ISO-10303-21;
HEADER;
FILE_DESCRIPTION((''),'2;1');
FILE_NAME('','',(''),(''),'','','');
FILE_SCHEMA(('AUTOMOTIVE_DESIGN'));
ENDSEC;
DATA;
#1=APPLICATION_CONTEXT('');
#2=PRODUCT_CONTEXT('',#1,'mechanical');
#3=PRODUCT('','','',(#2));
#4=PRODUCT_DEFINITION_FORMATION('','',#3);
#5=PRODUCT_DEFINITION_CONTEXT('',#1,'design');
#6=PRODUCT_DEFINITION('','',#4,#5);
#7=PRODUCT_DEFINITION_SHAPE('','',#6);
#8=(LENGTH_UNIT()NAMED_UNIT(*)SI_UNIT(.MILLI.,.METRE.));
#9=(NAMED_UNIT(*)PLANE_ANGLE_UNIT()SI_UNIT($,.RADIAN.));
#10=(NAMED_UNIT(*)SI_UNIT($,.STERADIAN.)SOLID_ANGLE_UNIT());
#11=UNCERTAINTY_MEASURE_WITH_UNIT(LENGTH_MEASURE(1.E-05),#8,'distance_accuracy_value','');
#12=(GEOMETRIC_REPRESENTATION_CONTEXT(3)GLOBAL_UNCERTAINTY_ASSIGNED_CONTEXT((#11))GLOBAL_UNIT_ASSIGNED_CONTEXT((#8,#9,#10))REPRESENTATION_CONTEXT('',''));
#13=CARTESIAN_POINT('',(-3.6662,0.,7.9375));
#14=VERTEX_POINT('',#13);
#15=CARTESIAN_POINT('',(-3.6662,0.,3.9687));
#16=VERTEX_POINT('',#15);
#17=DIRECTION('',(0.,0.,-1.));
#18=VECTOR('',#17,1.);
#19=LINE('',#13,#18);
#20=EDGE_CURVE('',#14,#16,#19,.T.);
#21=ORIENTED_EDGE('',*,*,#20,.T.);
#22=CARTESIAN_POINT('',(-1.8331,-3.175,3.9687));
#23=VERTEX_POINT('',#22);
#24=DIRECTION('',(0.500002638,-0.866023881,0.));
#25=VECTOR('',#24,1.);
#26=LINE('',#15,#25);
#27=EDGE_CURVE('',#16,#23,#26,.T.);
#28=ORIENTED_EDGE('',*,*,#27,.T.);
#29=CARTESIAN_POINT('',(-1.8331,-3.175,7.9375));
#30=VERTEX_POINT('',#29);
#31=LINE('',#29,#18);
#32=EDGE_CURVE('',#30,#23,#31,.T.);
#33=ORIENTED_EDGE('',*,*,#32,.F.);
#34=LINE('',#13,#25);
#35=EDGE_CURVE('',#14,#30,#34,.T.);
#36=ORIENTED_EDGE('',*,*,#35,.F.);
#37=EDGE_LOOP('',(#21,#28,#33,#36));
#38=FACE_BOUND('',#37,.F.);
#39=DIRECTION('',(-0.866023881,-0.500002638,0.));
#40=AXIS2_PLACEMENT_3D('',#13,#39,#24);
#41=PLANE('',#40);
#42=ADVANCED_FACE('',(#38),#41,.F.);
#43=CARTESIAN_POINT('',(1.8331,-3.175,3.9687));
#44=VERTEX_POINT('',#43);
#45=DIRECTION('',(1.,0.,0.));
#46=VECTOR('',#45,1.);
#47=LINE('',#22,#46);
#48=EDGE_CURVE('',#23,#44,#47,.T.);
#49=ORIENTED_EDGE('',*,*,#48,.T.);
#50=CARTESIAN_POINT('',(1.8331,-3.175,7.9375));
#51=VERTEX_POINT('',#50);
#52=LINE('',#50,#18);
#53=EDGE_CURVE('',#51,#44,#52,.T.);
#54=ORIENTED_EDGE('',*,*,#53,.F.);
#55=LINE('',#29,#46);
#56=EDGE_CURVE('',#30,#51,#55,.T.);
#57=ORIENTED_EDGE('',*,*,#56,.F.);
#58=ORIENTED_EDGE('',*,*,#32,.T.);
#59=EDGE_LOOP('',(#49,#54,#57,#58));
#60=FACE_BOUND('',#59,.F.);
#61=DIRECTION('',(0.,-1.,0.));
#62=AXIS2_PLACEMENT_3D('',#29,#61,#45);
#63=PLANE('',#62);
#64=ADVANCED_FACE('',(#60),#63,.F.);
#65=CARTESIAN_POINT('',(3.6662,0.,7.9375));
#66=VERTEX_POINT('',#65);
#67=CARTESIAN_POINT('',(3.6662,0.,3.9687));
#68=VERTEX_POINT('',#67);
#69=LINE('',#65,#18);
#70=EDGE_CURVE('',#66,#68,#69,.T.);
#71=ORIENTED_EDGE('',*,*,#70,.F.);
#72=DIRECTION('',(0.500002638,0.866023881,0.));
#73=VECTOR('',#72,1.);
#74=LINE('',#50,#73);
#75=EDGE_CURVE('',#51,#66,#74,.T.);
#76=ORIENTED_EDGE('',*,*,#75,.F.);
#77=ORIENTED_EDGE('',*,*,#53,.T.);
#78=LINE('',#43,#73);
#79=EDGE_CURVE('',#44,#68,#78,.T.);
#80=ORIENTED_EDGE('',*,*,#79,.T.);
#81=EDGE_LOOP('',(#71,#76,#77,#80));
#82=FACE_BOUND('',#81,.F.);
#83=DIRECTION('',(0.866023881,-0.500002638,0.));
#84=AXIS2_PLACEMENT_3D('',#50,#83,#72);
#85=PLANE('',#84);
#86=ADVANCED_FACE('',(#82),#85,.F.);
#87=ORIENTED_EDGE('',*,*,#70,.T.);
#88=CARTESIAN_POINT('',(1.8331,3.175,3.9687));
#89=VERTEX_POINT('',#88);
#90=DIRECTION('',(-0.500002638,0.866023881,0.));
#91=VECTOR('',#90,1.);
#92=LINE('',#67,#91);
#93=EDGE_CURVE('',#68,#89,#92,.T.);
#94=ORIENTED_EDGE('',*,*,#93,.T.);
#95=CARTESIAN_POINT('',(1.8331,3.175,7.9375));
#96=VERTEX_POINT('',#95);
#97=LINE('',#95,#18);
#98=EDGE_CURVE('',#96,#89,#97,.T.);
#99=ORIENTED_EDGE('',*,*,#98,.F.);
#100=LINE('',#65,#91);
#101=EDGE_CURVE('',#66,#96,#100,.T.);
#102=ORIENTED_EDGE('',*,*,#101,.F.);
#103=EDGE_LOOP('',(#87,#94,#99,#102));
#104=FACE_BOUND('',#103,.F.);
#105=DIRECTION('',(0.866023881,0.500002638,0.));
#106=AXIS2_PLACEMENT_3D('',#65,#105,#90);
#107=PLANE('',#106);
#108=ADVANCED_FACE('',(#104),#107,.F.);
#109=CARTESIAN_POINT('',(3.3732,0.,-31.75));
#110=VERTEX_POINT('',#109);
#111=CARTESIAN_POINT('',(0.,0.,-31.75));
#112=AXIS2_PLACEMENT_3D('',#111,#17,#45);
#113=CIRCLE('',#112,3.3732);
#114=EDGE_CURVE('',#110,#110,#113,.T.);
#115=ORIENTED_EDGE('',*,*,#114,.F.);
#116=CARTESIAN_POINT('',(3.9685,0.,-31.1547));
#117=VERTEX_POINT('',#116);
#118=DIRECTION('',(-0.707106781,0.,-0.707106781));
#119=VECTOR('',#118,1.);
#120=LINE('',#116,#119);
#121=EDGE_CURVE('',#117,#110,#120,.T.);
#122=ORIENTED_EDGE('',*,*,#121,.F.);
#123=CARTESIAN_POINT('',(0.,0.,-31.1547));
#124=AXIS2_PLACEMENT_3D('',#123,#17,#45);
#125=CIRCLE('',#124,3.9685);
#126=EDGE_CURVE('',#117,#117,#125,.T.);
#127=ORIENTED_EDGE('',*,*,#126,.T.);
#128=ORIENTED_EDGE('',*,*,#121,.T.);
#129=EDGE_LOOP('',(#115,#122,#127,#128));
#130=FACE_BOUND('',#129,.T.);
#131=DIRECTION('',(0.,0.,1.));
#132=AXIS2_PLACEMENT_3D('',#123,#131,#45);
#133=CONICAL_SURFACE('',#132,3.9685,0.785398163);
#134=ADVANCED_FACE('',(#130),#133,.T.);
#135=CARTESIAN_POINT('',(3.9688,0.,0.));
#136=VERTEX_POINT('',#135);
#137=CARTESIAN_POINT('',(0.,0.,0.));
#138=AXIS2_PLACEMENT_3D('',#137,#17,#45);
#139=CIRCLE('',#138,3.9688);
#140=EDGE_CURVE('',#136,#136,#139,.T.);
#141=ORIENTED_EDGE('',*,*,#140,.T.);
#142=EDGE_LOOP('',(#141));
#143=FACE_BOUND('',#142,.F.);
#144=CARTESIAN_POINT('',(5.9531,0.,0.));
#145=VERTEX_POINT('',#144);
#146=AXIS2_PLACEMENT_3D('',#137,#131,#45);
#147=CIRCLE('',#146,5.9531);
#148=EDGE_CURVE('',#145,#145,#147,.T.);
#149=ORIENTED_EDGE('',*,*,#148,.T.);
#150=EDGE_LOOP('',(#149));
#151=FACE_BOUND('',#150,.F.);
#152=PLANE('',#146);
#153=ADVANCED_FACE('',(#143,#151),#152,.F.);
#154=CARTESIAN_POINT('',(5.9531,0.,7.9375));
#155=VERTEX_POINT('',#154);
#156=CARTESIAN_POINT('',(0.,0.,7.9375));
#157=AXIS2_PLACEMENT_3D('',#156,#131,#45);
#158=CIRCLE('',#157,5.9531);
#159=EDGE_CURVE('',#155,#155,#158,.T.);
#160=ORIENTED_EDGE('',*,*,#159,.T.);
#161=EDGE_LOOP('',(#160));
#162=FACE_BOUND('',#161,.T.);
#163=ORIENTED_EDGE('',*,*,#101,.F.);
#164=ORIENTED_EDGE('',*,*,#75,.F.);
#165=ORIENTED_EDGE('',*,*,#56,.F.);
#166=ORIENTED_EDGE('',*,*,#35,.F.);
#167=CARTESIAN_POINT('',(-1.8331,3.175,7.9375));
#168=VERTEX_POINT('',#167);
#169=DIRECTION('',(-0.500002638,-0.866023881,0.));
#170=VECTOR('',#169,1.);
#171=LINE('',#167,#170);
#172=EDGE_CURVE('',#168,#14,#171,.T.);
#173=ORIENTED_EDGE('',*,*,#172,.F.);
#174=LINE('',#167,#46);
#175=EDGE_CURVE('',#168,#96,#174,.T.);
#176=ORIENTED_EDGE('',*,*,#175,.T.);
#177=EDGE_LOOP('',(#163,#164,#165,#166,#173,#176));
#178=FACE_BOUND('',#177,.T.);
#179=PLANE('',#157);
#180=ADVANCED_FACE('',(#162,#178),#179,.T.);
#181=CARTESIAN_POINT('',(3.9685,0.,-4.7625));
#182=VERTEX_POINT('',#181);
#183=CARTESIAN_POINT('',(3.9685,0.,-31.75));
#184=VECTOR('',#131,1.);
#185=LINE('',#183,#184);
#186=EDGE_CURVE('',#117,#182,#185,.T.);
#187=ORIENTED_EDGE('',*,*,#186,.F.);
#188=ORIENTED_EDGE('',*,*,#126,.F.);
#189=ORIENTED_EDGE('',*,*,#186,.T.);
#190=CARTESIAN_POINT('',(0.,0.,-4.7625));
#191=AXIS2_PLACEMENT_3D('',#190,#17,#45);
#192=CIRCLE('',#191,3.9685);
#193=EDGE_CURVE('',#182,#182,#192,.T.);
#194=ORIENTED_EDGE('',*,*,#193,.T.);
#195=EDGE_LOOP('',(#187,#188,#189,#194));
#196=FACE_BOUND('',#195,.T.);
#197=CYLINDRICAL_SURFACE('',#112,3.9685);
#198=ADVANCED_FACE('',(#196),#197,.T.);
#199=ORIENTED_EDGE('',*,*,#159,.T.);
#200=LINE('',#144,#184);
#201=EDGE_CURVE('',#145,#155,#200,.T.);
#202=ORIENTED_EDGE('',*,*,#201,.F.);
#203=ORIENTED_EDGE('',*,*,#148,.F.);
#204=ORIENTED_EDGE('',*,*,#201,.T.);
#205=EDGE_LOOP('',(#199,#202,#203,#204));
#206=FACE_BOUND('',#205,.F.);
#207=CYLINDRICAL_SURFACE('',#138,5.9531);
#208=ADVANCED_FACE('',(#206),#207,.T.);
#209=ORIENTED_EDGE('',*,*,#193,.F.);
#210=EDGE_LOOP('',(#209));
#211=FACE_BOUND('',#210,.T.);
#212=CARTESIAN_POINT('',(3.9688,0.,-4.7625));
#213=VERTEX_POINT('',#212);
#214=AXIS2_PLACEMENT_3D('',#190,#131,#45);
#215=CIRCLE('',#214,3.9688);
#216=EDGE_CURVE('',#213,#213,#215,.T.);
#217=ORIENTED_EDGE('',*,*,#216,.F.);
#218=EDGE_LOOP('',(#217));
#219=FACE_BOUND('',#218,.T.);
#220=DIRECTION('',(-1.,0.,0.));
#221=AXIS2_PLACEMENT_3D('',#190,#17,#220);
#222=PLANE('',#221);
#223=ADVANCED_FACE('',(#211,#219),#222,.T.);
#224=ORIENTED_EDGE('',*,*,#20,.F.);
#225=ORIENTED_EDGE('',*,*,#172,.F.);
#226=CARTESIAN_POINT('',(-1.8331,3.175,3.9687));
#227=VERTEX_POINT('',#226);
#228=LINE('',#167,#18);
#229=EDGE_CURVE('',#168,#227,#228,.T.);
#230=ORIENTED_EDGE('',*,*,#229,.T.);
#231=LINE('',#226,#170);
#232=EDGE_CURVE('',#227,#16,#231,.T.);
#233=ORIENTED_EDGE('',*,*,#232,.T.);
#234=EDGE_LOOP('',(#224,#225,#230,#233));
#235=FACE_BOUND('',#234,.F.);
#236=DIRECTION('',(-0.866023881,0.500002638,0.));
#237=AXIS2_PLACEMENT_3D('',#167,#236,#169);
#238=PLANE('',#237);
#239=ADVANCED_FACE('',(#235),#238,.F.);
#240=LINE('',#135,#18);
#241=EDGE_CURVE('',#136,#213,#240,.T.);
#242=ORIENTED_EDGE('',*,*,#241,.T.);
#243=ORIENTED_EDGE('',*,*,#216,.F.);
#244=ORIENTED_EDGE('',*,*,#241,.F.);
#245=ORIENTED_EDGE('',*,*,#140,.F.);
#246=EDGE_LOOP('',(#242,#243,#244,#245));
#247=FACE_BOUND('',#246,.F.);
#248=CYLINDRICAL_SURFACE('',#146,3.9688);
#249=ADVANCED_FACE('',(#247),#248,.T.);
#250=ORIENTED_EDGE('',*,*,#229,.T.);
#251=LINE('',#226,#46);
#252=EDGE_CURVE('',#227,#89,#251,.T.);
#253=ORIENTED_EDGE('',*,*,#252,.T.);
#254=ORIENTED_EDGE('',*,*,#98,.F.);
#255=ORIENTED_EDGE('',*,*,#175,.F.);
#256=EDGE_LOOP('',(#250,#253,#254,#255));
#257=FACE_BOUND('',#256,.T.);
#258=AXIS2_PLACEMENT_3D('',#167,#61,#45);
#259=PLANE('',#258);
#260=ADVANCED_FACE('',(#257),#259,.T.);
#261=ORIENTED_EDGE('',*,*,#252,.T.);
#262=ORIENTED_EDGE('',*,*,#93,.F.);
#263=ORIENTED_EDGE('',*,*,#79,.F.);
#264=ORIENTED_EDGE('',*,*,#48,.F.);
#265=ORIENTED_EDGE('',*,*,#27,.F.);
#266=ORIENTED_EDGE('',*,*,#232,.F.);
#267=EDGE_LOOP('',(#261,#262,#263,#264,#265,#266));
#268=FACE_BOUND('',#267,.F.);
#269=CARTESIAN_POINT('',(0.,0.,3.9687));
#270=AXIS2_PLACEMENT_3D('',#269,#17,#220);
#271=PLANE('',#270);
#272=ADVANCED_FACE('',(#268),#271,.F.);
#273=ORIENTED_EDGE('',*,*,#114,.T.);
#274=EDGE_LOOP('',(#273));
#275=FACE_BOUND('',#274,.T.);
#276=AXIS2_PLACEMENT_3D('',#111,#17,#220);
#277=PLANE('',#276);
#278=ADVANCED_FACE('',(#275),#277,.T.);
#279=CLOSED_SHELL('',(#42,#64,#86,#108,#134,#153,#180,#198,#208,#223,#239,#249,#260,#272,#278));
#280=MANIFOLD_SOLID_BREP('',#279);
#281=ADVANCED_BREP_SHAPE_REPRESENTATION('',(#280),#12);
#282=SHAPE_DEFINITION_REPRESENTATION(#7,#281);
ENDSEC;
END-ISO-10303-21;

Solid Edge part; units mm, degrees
sketch "Sketch1" plane through (0, 0, 0) normal (0, 0, 1) x (1, 0, 0)
  circle A0 centre (0, 0) radius 5.9531
  dimension "D1" = 11.9062
extrude "Protrusion1" add sketch "Sketch1" along normal blind 7.9375
sketch "Sketch2" plane through (0, 0, 0) normal (0, 0, -1) x (1, 0, 0)
  circle A0 centre (0, 0) radius 3.9688
extrude "Protrusion2" add sketch "Sketch2" along normal blind 31.75
sketch "Sketch3" plane through (0, 0, -31.75) normal (0, 0, -1) x (1, 0, 0)
  circle A0 centre (0, 0) radius 3.9685
extrude "Cutout1" cut sketch "Sketch3" against normal blind 26.9875 flip side to cut
chamfer "Chamfer_1" distance 0.5953 angle 45 1 edges at (-3.9685, 0, -31.75)
sketch "Sketch4" plane through (0, 0, 7.9375) normal (0, 0, 1) x (1, 0, 0)
  line L0 (-1.8331, 3.175) -> (1.8331, 3.175)
  line L1 (3.6662, 0) -> (1.8331, 3.175)
  line L2 (1.8331, -3.175) -> (3.6662, 0)
  line L3 (-1.8331, -3.175) -> (1.8331, -3.175)
  line L4 (-3.6662, 0) -> (-1.8331, -3.175)
  line L5 (-1.8331, 3.175) -> (-3.6662, 0)
  dimension "D1" = 6.35
extrude "Cutout2" cut sketch "Sketch4" against normal blind 3.9688
properties part number "24102198"
